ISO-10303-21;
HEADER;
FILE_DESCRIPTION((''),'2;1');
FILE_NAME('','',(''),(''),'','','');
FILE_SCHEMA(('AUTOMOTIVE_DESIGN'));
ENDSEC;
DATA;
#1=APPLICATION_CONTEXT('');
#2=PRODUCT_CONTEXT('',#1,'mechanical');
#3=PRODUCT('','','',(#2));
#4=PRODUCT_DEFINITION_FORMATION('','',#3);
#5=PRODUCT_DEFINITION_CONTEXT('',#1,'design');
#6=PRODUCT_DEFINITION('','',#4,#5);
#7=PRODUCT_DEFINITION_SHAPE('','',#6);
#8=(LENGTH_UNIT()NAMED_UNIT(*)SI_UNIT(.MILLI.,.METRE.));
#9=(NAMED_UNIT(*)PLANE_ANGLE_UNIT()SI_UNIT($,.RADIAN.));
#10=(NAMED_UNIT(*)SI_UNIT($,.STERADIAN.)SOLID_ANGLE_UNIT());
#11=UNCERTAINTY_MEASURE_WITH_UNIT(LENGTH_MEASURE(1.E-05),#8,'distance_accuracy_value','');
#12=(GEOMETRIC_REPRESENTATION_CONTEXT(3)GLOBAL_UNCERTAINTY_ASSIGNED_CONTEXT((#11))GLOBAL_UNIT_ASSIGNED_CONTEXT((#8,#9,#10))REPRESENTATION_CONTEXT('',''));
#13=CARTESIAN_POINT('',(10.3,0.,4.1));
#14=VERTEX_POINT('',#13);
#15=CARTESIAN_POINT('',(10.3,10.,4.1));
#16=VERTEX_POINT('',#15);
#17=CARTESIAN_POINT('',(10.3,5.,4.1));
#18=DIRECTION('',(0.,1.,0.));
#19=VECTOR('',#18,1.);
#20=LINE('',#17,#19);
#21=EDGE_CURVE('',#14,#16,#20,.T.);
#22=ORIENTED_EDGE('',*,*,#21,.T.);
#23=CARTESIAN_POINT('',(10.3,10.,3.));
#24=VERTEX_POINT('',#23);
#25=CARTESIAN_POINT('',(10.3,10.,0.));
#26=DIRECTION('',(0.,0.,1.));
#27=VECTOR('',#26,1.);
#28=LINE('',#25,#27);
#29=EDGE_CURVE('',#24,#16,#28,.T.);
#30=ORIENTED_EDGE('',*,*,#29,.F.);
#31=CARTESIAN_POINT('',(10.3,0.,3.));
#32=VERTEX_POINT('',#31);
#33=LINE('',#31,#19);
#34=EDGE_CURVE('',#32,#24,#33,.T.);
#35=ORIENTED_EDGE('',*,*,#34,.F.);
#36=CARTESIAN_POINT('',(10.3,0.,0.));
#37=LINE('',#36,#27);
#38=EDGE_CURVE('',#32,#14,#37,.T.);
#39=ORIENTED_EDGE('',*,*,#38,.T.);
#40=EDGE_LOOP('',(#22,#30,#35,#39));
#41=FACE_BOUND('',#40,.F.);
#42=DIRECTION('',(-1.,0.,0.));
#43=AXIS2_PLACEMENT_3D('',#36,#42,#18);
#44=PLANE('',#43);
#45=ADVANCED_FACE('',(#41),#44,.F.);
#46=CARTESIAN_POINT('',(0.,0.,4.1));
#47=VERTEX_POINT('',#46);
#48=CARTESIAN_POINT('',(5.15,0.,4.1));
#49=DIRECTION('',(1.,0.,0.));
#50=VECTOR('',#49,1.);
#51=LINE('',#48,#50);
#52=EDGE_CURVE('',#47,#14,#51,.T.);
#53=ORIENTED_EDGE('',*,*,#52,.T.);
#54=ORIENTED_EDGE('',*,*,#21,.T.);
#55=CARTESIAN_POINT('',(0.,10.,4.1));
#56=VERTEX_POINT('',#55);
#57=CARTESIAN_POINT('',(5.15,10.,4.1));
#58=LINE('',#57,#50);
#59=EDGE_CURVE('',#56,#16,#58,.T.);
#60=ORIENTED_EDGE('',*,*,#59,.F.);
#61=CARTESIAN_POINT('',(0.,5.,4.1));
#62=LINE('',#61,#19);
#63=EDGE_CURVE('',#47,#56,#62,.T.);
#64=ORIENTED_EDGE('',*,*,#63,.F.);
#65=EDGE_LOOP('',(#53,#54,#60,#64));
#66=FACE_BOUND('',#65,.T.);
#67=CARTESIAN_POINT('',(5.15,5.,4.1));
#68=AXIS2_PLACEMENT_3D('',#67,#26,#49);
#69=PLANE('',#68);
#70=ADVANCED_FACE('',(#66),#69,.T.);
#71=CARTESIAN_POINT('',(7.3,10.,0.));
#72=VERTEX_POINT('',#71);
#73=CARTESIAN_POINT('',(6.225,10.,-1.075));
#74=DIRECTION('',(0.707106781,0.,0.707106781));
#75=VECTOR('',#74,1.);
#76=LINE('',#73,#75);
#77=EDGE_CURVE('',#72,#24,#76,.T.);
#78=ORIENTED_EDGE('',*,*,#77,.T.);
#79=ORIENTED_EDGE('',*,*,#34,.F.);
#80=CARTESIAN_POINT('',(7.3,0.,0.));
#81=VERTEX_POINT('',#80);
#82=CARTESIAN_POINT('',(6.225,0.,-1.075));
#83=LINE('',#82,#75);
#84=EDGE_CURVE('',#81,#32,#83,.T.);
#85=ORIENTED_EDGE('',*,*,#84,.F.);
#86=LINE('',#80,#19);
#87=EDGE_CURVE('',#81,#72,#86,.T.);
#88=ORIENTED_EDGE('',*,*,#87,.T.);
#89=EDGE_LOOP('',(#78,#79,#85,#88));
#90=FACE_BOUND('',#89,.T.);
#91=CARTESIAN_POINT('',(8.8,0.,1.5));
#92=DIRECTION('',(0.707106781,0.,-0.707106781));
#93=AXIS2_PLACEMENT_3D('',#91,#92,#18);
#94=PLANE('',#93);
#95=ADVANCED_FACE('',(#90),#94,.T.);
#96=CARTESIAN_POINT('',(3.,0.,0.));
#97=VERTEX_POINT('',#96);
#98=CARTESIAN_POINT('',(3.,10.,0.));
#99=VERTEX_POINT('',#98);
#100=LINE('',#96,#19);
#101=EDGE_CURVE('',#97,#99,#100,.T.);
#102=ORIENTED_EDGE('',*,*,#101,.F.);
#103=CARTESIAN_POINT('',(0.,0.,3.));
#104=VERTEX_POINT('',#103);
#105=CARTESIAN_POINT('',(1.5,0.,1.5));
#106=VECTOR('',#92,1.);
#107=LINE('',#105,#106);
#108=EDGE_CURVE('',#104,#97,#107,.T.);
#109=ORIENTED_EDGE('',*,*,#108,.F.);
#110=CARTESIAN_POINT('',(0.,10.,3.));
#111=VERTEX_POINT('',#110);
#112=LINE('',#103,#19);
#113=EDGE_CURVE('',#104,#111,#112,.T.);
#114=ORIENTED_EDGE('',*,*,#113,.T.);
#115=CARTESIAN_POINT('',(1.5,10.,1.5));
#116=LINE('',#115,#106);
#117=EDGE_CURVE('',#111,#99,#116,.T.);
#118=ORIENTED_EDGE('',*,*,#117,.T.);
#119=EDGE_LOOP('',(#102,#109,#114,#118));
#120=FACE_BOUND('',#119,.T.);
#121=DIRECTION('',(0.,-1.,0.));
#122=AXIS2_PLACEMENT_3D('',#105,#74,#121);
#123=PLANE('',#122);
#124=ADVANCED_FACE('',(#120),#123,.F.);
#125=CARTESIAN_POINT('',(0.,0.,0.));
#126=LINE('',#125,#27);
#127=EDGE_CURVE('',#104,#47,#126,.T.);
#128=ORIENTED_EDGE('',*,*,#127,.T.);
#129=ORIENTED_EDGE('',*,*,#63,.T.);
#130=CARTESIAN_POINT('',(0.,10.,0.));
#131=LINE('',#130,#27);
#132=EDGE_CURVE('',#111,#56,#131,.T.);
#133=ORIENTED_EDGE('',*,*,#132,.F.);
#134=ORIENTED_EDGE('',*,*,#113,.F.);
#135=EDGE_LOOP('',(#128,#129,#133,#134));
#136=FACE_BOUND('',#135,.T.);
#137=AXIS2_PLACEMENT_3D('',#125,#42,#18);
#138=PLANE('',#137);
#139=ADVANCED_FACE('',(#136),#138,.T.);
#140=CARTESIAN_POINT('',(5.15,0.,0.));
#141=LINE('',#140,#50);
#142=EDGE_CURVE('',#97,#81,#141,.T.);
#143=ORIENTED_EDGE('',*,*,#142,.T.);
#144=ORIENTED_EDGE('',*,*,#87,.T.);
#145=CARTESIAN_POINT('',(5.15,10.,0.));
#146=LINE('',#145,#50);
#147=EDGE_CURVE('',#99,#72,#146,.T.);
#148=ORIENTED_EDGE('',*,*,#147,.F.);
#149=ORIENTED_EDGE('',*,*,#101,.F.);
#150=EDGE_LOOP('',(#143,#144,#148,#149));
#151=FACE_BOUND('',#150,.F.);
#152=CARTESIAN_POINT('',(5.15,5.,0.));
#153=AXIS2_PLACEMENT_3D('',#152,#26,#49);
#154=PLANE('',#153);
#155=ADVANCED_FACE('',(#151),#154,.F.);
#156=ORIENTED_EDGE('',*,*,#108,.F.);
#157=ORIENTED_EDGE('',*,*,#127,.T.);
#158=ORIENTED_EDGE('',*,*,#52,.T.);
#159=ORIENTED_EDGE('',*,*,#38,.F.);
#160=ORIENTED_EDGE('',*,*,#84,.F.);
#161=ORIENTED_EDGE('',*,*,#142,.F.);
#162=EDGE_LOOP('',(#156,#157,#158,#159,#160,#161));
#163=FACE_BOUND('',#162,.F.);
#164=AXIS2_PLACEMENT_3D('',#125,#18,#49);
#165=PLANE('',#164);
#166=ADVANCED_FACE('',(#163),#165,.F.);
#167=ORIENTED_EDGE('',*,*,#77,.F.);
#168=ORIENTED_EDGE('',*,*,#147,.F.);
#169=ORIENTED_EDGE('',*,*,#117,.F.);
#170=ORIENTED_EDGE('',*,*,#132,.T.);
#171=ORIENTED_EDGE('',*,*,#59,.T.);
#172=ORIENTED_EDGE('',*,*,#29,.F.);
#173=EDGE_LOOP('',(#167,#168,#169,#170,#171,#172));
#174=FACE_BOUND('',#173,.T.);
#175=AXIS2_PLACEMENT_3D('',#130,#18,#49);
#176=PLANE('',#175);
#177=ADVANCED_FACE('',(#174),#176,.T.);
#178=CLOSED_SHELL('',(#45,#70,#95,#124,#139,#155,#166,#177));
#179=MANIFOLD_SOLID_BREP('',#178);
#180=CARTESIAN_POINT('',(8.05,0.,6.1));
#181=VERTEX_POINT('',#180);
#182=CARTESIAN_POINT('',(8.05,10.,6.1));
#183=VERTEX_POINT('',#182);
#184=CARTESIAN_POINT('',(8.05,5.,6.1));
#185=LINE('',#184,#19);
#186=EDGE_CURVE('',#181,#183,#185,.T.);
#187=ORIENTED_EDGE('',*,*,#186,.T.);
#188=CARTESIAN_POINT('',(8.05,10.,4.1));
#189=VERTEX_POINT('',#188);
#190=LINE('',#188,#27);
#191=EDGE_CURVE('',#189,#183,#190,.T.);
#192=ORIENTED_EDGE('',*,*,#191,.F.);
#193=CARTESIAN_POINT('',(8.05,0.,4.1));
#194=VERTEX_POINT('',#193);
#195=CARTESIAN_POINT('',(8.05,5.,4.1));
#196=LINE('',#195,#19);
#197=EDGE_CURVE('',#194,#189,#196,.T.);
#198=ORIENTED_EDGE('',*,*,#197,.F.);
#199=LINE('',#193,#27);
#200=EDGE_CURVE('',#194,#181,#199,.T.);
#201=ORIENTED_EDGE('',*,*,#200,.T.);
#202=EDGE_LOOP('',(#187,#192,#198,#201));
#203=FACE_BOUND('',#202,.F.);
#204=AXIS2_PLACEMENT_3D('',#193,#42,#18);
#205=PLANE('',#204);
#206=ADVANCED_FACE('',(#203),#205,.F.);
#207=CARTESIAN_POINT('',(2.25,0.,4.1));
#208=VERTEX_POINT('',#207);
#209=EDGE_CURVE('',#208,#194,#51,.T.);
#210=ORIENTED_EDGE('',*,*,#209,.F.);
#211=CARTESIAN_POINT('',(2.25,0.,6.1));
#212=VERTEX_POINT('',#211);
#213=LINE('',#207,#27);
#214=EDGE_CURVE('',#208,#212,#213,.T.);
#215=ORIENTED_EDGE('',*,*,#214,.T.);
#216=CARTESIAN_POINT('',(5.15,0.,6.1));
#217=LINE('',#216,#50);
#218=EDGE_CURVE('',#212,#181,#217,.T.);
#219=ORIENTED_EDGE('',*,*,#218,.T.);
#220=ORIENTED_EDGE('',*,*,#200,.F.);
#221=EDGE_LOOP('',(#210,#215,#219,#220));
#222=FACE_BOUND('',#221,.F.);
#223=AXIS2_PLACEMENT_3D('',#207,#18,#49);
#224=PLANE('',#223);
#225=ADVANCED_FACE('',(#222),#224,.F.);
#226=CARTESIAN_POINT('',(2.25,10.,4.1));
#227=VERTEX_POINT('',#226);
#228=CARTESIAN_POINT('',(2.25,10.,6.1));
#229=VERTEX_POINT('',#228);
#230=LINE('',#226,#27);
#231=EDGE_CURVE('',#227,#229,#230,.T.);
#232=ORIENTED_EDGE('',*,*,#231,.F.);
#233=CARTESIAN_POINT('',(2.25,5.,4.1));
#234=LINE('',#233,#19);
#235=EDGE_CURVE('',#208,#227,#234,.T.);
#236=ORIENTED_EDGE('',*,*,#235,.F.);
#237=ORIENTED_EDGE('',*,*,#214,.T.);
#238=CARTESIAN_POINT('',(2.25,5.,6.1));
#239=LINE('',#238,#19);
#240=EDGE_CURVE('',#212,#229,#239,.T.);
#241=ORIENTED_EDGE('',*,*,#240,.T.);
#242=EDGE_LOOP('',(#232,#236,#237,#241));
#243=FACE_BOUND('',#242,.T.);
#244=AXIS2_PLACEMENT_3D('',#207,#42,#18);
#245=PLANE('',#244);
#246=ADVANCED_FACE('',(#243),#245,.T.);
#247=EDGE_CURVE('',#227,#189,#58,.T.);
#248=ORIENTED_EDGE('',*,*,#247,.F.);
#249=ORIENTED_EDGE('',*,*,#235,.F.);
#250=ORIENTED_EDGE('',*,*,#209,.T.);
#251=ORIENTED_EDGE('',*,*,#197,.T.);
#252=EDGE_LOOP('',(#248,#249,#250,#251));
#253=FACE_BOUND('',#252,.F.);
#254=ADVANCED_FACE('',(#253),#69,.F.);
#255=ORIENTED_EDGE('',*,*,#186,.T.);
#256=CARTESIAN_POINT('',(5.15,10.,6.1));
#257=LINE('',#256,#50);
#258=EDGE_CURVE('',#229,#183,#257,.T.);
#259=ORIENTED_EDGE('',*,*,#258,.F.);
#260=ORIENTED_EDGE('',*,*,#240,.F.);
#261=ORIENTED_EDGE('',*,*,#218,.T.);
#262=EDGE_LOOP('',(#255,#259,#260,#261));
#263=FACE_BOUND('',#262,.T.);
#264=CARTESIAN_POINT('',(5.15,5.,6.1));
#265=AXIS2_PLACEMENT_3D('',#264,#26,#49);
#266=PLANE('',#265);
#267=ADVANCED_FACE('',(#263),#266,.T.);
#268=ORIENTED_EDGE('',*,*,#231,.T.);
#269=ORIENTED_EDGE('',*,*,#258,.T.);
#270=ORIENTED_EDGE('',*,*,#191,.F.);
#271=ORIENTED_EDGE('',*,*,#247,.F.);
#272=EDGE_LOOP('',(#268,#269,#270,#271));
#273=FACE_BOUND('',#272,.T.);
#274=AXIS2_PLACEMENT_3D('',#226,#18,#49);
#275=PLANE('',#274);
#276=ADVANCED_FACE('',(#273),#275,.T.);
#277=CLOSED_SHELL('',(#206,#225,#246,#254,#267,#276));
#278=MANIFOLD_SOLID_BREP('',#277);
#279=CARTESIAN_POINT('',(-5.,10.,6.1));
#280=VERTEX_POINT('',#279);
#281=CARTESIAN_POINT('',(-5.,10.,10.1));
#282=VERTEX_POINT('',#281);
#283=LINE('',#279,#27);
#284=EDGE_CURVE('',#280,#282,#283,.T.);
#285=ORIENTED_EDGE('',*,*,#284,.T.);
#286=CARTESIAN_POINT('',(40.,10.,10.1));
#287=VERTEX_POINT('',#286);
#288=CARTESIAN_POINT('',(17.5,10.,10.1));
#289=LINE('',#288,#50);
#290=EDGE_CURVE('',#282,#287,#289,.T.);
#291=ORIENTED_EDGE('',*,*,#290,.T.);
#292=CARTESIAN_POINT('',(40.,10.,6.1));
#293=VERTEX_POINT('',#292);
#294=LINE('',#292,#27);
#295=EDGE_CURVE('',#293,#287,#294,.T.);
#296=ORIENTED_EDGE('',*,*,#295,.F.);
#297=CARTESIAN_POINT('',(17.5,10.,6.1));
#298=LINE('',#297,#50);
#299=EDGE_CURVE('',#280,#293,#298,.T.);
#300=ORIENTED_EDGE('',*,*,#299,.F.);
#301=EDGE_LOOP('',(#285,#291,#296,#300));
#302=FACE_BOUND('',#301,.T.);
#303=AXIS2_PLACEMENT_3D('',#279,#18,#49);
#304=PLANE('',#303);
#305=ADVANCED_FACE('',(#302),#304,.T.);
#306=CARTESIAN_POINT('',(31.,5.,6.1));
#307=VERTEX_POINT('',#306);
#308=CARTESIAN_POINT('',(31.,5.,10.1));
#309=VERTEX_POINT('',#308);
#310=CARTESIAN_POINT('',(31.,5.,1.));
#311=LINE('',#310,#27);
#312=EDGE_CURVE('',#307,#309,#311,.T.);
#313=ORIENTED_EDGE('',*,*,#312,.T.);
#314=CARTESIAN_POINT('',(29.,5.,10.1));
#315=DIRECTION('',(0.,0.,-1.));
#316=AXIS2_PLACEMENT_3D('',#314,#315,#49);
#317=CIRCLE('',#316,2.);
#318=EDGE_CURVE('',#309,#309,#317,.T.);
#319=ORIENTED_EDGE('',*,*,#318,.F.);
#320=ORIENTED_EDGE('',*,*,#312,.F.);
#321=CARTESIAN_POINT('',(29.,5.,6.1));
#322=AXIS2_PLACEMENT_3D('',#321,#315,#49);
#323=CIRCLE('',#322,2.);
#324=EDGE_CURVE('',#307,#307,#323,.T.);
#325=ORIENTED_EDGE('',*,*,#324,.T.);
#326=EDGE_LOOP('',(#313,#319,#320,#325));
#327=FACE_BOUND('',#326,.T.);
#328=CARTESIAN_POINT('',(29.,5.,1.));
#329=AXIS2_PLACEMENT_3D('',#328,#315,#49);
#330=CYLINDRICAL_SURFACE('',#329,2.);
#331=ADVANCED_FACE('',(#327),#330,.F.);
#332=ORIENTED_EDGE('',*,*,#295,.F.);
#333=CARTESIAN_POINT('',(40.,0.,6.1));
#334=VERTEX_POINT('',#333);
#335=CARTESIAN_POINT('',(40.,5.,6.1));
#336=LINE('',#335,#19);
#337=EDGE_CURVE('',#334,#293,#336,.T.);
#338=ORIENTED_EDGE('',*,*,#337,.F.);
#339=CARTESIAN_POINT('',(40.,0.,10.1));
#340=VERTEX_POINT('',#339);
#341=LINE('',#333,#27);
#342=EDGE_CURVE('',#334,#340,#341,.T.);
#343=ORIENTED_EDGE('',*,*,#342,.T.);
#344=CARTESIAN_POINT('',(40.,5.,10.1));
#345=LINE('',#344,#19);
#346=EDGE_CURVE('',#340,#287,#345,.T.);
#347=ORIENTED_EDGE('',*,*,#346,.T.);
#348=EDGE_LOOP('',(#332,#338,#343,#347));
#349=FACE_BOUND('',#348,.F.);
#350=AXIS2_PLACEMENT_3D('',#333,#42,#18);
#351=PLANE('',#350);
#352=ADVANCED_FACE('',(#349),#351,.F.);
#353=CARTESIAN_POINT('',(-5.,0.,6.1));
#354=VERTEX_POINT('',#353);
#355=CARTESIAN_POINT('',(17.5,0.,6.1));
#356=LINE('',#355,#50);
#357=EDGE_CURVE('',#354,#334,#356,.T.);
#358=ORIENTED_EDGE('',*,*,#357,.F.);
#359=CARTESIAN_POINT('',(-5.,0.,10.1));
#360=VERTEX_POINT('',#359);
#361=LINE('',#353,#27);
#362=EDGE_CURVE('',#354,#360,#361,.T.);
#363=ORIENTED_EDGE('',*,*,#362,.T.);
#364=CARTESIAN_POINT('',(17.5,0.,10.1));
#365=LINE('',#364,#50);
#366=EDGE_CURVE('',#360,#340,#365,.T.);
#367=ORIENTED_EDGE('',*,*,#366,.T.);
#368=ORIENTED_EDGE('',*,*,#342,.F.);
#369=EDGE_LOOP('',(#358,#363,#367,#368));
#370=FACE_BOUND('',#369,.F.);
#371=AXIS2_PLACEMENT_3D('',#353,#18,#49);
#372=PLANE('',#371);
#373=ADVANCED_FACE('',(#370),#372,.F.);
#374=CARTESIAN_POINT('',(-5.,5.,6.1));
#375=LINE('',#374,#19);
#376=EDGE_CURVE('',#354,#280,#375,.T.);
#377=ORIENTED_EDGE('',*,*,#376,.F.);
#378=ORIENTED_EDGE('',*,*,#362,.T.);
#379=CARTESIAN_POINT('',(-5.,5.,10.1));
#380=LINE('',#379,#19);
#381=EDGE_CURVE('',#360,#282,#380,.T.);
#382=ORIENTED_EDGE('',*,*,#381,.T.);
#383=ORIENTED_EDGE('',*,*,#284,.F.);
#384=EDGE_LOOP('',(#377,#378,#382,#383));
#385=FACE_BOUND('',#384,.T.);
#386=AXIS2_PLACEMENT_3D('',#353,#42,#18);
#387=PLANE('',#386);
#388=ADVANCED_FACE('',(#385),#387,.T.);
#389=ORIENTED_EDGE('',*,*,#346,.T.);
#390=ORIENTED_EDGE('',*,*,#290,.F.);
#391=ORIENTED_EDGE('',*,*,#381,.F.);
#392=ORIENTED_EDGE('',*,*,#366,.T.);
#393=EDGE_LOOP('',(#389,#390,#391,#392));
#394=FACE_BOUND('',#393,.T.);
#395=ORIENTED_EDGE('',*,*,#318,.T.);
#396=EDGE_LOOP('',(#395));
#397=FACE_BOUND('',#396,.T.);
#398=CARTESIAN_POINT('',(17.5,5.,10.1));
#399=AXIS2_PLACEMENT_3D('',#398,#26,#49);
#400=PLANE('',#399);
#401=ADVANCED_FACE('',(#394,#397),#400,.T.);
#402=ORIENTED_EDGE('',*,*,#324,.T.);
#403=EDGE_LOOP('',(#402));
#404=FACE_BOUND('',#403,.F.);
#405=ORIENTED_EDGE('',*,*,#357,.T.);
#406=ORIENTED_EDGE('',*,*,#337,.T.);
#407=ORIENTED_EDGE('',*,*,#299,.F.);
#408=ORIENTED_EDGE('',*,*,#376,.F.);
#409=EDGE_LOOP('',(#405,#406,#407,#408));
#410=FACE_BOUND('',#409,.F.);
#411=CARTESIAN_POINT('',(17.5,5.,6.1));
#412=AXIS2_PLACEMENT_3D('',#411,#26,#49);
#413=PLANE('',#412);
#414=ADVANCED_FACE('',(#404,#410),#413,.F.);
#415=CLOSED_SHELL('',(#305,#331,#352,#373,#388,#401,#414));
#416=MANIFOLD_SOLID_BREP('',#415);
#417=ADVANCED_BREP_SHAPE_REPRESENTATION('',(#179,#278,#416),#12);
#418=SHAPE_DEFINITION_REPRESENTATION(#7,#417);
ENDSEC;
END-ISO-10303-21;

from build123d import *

# Parameters (mm, degrees)
BOX001_W        = 5.8
BOX001_H        = 10
BOX001_DEPTH    = 2
BOX_W           = 10.3
BOX_H           = 10
BOX_DEPTH       = 4.1
CHAMFER_SIZE    = 3
CHAMFER001_SIZE = 3
CYLINDER_R      = 2
CYLINDER_DEPTH  = 10
BOX002_W        = 45
BOX002_H        = 10
BOX002_DEPTH    = 4


with BuildPart() as cube001:
    # Box001 → Box001 (new body)
    with BuildSketch(Plane(origin=(2.25, 0, 4.1), x_dir=(1, 0, 0), z_dir=(0, 0, 1))):
        with Locations((2.9, 5)):
            Rectangle(BOX001_W, BOX001_H)
    extrude(amount=BOX001_DEPTH)


with BuildPart() as chamfer001:
    # Box → Box (new body)
    with BuildSketch(Plane.XY):
        with Locations((5.15, 5)):
            Rectangle(BOX_W, BOX_H)
    extrude(amount=BOX_DEPTH)

    # Chamfer
    chamfer_edges = [chamfer001.edges().sort_by_distance(p)[0] for p in [
        (0, 5, 0),
    ]]
    chamfer(chamfer_edges, length=CHAMFER_SIZE)

    # Chamfer001
    chamfer001_edges = [chamfer001.edges().sort_by_distance(p)[0] for p in [
        (10.3, 5, 0),
    ]]
    chamfer(chamfer001_edges, length=CHAMFER001_SIZE)


with BuildPart() as cylinder:
    # Cylinder → Cylinder (new body)
    with BuildSketch(Plane(origin=(29, 5, 1), x_dir=(1, 0, 0), z_dir=(0, 0, 1))):
        Circle(CYLINDER_R)
    extrude(amount=CYLINDER_DEPTH)


with BuildPart() as cut:
    # Box002 → Box002 (new body)
    with BuildSketch(Plane(origin=(-5, 0, 6.1), x_dir=(1, 0, 0), z_dir=(0, 0, 1))):
        with Locations((22.5, 5)):
            Rectangle(BOX002_W, BOX002_H)
    extrude(amount=BOX002_DEPTH)

    # Cut: cut Cylinder
    add(cylinder.part, mode=Mode.SUBTRACT)


solid = Compound([cube001.part, chamfer001.part, cut.part])
